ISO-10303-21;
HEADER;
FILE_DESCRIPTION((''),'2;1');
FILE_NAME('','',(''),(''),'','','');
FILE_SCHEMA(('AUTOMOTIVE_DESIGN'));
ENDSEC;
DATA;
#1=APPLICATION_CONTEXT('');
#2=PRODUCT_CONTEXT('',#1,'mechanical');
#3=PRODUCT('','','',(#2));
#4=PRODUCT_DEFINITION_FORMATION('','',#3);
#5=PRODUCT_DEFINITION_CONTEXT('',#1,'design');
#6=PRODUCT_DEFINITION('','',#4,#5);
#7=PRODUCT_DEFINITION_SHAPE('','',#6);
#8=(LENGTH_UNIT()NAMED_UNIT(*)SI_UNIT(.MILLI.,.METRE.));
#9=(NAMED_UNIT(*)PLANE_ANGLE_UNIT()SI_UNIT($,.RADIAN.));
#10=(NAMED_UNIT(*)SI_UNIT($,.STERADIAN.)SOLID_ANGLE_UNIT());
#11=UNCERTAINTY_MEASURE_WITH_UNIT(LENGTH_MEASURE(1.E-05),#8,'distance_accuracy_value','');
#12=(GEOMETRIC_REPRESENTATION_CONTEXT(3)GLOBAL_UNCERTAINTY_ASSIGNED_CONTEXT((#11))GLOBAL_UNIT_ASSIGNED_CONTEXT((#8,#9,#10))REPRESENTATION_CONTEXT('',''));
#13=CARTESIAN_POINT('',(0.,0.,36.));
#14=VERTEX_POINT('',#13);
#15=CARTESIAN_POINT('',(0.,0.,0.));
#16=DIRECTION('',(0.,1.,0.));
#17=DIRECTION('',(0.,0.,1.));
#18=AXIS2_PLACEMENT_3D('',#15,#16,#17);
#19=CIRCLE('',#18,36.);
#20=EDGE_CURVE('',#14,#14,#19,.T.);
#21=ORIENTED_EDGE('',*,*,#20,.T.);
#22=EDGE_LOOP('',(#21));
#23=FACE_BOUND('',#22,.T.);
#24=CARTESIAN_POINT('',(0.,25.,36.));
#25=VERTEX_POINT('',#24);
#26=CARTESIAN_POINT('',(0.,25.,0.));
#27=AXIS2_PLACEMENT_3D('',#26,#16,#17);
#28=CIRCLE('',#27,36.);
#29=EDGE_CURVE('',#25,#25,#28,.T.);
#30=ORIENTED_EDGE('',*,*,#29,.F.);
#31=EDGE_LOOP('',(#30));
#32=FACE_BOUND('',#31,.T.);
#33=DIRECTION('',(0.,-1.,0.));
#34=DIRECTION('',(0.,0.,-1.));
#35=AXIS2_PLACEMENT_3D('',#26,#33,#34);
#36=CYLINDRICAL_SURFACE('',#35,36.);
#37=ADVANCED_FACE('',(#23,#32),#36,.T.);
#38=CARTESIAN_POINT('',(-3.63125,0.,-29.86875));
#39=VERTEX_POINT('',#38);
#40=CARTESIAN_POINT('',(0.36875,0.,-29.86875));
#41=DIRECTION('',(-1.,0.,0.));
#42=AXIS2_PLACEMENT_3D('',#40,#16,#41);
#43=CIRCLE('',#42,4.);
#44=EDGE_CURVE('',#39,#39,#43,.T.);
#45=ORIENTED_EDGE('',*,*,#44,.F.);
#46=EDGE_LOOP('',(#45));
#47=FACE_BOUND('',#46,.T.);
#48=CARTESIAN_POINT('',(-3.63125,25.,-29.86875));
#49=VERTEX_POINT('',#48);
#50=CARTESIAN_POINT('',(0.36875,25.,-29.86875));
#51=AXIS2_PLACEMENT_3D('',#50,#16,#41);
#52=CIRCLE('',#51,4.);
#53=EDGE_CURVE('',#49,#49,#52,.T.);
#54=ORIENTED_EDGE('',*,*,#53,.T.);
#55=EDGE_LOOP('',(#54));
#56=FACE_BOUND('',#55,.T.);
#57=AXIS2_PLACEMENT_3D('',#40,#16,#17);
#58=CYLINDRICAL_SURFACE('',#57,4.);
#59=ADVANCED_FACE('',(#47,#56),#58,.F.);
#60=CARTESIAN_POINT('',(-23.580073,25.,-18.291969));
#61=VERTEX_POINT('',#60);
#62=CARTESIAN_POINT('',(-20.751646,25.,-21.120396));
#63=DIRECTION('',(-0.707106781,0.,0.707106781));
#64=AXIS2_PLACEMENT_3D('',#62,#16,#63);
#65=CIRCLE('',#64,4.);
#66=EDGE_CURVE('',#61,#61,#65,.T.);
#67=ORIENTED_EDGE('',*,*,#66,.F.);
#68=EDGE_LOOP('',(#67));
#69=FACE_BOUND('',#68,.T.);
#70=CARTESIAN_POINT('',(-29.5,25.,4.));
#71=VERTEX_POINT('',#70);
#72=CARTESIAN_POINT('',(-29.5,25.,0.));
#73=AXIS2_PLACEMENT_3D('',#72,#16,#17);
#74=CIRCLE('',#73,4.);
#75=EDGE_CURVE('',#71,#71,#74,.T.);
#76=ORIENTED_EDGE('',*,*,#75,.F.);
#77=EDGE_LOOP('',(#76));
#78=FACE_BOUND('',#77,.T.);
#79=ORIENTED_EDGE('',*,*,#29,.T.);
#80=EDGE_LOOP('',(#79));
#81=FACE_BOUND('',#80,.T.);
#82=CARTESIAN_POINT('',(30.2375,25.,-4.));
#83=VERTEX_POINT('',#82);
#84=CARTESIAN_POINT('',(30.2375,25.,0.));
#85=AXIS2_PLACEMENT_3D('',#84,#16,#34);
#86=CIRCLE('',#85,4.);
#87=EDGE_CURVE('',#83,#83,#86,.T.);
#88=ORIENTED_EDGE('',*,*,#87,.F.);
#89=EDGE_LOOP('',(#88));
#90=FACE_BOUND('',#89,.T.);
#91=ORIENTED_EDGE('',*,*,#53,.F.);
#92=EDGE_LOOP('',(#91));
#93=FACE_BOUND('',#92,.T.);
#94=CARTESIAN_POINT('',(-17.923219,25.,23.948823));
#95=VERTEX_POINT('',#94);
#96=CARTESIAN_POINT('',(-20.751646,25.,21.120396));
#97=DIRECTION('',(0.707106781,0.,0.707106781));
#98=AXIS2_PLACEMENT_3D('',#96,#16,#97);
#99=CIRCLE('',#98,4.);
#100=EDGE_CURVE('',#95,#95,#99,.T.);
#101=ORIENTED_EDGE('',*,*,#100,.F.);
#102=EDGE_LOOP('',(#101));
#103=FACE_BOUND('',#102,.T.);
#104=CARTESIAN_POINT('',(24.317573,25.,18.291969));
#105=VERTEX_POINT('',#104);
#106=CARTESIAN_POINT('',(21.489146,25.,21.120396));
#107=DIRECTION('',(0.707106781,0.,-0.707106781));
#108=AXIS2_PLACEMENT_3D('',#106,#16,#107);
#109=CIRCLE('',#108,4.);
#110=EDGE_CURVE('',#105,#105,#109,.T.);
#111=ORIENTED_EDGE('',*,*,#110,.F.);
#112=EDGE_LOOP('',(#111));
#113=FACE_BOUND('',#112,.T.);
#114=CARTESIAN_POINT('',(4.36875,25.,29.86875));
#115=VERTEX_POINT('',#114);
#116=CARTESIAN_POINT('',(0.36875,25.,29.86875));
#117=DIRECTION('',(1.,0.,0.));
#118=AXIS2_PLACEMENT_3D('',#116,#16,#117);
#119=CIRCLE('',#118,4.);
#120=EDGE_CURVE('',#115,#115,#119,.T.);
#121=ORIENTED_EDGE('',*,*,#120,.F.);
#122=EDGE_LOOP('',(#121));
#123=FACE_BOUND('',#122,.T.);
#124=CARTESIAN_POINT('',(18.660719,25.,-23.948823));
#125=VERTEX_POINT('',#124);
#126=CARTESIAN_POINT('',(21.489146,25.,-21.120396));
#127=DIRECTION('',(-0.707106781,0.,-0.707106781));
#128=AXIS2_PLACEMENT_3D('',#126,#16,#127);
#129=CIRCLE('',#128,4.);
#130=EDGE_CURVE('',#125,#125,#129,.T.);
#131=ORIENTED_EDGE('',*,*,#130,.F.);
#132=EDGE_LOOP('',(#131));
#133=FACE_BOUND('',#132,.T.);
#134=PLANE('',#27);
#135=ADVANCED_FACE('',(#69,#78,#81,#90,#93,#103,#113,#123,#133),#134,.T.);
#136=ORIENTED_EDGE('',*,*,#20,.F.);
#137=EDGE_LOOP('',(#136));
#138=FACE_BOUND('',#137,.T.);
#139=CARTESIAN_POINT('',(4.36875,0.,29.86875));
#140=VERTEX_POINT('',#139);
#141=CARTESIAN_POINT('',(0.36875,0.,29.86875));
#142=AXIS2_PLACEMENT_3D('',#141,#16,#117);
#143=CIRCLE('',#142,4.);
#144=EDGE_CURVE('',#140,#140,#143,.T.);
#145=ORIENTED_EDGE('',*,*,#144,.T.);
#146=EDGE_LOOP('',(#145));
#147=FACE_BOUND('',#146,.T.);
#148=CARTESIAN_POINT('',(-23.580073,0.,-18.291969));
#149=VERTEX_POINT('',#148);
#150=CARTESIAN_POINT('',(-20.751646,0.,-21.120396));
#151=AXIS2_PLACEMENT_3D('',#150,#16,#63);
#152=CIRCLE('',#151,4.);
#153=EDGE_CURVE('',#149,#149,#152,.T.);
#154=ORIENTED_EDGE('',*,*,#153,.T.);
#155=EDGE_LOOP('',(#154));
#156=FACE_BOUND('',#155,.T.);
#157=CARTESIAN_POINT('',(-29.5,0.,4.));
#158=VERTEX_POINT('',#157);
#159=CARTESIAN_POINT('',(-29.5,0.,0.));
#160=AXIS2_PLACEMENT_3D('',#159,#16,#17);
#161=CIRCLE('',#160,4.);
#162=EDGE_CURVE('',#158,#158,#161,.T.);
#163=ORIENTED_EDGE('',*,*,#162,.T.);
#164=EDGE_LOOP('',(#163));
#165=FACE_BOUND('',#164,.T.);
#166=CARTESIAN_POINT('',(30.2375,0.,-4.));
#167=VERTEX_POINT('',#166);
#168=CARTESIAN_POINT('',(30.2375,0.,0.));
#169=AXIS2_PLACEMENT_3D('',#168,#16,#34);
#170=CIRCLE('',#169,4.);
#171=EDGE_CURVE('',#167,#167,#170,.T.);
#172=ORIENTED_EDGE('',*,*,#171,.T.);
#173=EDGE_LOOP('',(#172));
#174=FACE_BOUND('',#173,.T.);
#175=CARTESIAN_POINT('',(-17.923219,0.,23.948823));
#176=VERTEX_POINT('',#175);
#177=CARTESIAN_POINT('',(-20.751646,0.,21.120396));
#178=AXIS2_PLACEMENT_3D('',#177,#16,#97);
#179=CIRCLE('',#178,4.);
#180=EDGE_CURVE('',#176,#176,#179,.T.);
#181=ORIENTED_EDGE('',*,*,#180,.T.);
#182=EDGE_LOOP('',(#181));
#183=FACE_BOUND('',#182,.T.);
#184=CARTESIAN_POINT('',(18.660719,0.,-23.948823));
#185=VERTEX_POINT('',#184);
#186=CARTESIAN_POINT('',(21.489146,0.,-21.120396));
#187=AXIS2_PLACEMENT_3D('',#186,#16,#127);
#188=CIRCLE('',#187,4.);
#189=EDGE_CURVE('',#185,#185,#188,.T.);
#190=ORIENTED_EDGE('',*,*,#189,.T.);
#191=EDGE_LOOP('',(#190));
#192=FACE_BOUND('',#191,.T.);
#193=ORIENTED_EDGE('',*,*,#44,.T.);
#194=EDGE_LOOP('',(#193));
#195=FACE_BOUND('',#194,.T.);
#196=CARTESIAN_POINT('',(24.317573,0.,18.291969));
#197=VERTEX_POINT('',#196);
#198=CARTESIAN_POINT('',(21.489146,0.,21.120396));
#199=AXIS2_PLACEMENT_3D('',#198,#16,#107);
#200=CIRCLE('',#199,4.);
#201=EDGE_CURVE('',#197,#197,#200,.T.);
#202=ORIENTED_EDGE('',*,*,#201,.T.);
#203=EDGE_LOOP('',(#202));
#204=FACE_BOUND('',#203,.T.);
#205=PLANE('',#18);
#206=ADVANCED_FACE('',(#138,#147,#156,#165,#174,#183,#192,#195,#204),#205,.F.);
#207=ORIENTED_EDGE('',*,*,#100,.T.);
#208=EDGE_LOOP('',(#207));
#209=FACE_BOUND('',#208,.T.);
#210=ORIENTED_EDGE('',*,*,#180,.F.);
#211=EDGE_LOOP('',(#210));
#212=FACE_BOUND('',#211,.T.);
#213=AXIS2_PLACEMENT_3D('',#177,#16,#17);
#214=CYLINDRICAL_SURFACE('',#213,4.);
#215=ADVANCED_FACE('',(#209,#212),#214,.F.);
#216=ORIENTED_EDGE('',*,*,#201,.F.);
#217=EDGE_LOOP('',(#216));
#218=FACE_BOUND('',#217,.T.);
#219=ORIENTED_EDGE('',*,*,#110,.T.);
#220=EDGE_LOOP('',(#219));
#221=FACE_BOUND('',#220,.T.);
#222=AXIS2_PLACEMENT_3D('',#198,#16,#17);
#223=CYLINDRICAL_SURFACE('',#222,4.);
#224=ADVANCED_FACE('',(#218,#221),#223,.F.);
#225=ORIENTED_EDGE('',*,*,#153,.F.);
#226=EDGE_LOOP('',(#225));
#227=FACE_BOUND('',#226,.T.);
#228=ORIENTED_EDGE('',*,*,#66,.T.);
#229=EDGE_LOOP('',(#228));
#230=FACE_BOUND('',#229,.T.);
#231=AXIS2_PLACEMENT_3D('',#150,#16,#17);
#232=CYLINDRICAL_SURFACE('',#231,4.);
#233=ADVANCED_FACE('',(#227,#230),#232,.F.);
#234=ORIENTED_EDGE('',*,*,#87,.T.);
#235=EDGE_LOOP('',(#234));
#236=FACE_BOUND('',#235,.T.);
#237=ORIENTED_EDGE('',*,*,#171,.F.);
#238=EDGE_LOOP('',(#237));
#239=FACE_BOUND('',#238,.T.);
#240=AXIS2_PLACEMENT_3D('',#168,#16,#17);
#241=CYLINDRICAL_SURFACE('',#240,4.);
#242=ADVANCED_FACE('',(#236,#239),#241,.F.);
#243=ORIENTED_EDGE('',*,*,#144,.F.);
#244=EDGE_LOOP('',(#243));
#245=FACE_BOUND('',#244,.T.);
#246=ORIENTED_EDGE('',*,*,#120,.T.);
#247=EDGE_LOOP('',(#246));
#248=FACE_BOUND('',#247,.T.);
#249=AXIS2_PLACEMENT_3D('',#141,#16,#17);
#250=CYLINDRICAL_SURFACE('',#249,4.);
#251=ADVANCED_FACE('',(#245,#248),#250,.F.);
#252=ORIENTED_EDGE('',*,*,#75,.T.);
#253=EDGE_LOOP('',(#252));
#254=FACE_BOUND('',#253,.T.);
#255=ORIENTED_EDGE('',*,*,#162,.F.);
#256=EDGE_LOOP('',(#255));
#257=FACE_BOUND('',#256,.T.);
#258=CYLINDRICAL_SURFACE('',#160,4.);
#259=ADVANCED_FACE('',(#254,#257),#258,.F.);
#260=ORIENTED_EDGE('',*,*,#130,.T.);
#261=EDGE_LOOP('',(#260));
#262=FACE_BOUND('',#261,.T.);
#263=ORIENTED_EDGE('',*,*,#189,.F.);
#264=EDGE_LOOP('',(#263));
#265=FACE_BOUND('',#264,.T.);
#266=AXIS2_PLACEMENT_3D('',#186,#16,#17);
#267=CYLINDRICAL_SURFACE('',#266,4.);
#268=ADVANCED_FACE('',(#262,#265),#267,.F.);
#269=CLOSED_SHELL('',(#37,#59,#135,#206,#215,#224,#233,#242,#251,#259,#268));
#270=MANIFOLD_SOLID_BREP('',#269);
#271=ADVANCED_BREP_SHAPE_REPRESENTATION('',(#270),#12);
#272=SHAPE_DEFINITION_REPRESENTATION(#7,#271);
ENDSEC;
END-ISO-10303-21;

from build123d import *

# Parameters (mm, degrees)
SKETCH1_R           = 36
BOSS_EXTRUDE1_DEPTH = 25
SKETCH3_R           = 4
CUT_EXTRUDE1_DEPTH  = 57.71860365
CIRPATTERN1_COUNT   = 8


with BuildPart() as part:
    # Sketch1 → Boss-Extrude1 (new body)
    with BuildSketch(Plane(origin=(0, 0, 0), x_dir=(1, 0, 0), z_dir=(0, 1, 0))):
        with Locations(Location((0, 0, 0), (0, 0, 270))):
            Circle(SKETCH1_R)
    extrude(amount=BOSS_EXTRUDE1_DEPTH)

    # Sketch3 → Cut-Extrude1 (cut, through all)
    with BuildSketch(Plane(origin=(0, 25, 0), x_dir=(1, 0, 0), z_dir=(0, 1, 0))):
        with Locations(Location((-29.5, 0, 0), (0, 0, 270))):
            Circle(SKETCH3_R)
    cut_extrude1 = extrude(amount=-CUT_EXTRUDE1_DEPTH, mode=Mode.SUBTRACT)

    # CirPattern1: Cut-Extrude1 ×8 about axis
    cirpattern1_axis = Axis((0.36875, 0, 0), (0, 1, 0))
    for i in range(1, CIRPATTERN1_COUNT):
        add(cut_extrude1.rotate(cirpattern1_axis, i * 360 / CIRPATTERN1_COUNT), mode=Mode.SUBTRACT)


solid = part.part
